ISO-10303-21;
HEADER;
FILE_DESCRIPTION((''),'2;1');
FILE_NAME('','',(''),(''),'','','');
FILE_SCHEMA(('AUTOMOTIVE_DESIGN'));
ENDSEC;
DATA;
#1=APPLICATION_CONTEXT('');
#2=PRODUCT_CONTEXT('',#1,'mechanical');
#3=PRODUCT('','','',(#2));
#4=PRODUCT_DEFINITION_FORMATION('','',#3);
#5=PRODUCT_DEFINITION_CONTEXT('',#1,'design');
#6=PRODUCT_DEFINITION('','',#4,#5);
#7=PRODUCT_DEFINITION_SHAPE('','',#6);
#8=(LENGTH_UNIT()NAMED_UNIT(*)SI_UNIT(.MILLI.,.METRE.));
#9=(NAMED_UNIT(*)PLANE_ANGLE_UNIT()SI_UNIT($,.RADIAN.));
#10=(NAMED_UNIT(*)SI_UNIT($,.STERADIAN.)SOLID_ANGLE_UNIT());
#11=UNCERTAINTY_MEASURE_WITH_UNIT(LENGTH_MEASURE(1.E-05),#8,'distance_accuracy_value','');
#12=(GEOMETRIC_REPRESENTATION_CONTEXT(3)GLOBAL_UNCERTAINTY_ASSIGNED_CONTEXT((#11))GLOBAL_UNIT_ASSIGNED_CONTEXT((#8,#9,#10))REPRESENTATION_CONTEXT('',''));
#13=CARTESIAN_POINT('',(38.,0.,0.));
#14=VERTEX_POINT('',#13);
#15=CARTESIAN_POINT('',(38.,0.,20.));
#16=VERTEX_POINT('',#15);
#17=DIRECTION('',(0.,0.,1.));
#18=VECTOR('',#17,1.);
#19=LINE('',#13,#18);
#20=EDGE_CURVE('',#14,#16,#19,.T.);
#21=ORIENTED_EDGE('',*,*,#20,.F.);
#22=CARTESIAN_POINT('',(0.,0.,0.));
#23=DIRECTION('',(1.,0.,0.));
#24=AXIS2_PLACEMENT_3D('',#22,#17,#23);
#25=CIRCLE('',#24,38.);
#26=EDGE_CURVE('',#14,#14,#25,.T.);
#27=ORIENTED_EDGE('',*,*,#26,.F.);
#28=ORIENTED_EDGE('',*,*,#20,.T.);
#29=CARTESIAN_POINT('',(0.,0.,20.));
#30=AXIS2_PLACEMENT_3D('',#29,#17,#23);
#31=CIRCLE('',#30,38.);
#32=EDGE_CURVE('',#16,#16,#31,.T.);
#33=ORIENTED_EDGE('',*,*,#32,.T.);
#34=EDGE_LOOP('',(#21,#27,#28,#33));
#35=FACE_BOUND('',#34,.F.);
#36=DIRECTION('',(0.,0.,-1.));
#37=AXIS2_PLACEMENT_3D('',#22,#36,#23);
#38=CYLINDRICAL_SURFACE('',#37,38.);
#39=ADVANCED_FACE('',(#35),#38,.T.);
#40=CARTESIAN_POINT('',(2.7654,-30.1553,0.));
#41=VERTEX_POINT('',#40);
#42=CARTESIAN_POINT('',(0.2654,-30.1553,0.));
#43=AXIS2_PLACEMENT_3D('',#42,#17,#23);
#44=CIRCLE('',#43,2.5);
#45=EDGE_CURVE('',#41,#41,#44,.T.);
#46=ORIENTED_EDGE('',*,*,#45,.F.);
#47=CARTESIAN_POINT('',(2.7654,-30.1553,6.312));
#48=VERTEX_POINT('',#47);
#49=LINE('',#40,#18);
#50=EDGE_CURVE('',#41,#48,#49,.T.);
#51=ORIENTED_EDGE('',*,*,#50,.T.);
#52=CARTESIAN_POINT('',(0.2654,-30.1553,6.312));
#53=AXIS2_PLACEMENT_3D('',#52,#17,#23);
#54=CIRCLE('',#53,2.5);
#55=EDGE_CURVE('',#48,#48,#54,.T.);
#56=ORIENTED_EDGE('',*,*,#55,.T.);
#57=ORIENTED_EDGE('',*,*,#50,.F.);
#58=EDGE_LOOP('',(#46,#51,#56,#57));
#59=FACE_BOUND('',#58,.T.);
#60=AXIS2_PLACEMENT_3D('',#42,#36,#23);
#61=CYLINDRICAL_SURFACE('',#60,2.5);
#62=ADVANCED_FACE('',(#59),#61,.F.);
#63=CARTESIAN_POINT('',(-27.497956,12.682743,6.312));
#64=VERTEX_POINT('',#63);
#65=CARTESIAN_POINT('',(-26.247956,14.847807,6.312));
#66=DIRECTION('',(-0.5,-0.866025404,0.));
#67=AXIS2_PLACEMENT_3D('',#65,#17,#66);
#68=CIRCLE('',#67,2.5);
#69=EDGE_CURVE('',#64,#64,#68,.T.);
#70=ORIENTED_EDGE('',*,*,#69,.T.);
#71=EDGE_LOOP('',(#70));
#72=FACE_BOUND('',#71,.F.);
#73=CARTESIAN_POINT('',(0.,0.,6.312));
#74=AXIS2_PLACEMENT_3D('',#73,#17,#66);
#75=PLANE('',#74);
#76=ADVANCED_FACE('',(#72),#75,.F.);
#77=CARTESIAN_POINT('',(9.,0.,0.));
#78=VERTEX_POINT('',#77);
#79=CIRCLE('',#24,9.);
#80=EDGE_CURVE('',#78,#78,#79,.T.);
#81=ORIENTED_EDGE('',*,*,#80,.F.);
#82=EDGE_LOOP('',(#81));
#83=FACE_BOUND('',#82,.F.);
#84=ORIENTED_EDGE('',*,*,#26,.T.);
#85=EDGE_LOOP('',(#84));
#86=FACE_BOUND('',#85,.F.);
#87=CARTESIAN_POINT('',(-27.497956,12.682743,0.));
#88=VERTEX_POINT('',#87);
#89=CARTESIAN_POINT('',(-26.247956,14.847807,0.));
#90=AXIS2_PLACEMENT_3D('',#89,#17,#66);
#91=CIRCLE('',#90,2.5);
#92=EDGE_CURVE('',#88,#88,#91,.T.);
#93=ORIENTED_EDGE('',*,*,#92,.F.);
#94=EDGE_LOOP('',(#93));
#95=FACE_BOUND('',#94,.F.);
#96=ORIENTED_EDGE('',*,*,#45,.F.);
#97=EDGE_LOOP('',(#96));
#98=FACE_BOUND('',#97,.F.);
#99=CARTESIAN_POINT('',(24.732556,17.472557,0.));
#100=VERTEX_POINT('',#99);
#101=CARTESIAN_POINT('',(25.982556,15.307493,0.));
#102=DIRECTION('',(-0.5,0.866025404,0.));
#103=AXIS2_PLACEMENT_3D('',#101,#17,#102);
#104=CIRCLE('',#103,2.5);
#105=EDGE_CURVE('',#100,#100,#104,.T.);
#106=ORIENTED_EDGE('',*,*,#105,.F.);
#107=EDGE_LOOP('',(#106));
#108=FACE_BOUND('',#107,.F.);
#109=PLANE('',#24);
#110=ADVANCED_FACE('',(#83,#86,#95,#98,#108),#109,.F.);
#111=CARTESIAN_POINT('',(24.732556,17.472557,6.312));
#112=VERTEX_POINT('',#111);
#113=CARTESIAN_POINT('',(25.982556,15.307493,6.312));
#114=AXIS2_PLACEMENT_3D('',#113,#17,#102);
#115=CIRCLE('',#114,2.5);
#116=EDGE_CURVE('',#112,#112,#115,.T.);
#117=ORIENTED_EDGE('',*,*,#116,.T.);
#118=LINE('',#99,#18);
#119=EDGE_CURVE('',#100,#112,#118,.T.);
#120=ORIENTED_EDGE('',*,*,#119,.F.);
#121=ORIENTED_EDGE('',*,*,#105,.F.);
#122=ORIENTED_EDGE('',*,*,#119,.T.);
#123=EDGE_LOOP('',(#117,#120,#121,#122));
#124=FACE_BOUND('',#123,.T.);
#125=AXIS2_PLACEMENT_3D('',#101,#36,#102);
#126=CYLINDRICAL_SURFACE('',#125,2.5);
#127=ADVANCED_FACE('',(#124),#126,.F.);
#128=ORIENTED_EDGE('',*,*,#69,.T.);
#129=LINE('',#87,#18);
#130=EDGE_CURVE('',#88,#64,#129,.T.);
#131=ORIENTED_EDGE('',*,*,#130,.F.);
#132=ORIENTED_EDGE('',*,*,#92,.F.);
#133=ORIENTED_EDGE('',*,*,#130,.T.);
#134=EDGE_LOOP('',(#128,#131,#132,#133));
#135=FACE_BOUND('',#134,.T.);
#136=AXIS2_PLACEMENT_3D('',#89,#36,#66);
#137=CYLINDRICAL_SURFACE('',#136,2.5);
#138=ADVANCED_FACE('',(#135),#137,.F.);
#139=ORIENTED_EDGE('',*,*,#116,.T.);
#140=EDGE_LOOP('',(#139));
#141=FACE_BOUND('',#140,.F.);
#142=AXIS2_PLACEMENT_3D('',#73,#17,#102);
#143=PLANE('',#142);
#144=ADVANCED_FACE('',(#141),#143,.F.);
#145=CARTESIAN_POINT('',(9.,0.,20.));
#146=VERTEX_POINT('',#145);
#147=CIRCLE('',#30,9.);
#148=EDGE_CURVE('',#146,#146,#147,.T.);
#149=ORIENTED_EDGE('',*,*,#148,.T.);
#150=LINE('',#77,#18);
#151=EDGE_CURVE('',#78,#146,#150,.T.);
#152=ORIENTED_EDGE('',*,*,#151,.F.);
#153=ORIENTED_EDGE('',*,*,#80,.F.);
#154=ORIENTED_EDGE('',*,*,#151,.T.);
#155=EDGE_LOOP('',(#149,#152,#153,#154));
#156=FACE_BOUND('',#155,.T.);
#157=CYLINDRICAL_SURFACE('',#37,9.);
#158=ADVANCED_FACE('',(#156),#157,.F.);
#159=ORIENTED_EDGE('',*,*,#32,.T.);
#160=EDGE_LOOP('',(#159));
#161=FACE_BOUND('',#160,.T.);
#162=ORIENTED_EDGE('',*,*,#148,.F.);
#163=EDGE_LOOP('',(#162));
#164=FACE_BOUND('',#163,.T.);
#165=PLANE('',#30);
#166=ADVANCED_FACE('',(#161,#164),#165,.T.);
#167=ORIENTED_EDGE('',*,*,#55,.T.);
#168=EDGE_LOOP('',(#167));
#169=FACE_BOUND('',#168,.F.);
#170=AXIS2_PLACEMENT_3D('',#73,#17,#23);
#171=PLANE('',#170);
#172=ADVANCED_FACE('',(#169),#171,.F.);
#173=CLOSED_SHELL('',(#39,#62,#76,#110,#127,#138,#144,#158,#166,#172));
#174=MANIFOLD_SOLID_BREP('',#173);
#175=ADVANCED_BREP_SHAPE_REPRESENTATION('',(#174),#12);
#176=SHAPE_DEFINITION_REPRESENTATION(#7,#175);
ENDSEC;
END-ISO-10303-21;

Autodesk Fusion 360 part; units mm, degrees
sketch "Sketch1" plane through (0, 0, 0) normal (0, 0, 1) x (1, 0, 0)
  circle A0 centre (0, 0) radius 9
  circle A1 centre (0, 0) radius 22.5
  circle A2 centre (0, 0) radius 38
  dimension "d1" = 45
  dimension "d2" = 18
  dimension "d3" = 76
extrude "Extrude1" add sketch "Sketch1" along normal blind 20 contours A1
sketch "Sketch2" plane through (0, 0, 0) normal (0, 0, 1) x (1, 0, 0)
  circle A0 centre (0.2654, -30.1553) radius 2.5
  dimension "d8" = 5
extrude "Extrude4" add sketch "Sketch1" along normal blind 20 contours A1 | A2
extrude "Extrude5" cut sketch "Sketch2" along normal blind 6.312
pattern_circular "C-Pattern2" count 3 over 360 about axis through (0, 0, 20) along (0, 0, 1) of "Extrude5"
